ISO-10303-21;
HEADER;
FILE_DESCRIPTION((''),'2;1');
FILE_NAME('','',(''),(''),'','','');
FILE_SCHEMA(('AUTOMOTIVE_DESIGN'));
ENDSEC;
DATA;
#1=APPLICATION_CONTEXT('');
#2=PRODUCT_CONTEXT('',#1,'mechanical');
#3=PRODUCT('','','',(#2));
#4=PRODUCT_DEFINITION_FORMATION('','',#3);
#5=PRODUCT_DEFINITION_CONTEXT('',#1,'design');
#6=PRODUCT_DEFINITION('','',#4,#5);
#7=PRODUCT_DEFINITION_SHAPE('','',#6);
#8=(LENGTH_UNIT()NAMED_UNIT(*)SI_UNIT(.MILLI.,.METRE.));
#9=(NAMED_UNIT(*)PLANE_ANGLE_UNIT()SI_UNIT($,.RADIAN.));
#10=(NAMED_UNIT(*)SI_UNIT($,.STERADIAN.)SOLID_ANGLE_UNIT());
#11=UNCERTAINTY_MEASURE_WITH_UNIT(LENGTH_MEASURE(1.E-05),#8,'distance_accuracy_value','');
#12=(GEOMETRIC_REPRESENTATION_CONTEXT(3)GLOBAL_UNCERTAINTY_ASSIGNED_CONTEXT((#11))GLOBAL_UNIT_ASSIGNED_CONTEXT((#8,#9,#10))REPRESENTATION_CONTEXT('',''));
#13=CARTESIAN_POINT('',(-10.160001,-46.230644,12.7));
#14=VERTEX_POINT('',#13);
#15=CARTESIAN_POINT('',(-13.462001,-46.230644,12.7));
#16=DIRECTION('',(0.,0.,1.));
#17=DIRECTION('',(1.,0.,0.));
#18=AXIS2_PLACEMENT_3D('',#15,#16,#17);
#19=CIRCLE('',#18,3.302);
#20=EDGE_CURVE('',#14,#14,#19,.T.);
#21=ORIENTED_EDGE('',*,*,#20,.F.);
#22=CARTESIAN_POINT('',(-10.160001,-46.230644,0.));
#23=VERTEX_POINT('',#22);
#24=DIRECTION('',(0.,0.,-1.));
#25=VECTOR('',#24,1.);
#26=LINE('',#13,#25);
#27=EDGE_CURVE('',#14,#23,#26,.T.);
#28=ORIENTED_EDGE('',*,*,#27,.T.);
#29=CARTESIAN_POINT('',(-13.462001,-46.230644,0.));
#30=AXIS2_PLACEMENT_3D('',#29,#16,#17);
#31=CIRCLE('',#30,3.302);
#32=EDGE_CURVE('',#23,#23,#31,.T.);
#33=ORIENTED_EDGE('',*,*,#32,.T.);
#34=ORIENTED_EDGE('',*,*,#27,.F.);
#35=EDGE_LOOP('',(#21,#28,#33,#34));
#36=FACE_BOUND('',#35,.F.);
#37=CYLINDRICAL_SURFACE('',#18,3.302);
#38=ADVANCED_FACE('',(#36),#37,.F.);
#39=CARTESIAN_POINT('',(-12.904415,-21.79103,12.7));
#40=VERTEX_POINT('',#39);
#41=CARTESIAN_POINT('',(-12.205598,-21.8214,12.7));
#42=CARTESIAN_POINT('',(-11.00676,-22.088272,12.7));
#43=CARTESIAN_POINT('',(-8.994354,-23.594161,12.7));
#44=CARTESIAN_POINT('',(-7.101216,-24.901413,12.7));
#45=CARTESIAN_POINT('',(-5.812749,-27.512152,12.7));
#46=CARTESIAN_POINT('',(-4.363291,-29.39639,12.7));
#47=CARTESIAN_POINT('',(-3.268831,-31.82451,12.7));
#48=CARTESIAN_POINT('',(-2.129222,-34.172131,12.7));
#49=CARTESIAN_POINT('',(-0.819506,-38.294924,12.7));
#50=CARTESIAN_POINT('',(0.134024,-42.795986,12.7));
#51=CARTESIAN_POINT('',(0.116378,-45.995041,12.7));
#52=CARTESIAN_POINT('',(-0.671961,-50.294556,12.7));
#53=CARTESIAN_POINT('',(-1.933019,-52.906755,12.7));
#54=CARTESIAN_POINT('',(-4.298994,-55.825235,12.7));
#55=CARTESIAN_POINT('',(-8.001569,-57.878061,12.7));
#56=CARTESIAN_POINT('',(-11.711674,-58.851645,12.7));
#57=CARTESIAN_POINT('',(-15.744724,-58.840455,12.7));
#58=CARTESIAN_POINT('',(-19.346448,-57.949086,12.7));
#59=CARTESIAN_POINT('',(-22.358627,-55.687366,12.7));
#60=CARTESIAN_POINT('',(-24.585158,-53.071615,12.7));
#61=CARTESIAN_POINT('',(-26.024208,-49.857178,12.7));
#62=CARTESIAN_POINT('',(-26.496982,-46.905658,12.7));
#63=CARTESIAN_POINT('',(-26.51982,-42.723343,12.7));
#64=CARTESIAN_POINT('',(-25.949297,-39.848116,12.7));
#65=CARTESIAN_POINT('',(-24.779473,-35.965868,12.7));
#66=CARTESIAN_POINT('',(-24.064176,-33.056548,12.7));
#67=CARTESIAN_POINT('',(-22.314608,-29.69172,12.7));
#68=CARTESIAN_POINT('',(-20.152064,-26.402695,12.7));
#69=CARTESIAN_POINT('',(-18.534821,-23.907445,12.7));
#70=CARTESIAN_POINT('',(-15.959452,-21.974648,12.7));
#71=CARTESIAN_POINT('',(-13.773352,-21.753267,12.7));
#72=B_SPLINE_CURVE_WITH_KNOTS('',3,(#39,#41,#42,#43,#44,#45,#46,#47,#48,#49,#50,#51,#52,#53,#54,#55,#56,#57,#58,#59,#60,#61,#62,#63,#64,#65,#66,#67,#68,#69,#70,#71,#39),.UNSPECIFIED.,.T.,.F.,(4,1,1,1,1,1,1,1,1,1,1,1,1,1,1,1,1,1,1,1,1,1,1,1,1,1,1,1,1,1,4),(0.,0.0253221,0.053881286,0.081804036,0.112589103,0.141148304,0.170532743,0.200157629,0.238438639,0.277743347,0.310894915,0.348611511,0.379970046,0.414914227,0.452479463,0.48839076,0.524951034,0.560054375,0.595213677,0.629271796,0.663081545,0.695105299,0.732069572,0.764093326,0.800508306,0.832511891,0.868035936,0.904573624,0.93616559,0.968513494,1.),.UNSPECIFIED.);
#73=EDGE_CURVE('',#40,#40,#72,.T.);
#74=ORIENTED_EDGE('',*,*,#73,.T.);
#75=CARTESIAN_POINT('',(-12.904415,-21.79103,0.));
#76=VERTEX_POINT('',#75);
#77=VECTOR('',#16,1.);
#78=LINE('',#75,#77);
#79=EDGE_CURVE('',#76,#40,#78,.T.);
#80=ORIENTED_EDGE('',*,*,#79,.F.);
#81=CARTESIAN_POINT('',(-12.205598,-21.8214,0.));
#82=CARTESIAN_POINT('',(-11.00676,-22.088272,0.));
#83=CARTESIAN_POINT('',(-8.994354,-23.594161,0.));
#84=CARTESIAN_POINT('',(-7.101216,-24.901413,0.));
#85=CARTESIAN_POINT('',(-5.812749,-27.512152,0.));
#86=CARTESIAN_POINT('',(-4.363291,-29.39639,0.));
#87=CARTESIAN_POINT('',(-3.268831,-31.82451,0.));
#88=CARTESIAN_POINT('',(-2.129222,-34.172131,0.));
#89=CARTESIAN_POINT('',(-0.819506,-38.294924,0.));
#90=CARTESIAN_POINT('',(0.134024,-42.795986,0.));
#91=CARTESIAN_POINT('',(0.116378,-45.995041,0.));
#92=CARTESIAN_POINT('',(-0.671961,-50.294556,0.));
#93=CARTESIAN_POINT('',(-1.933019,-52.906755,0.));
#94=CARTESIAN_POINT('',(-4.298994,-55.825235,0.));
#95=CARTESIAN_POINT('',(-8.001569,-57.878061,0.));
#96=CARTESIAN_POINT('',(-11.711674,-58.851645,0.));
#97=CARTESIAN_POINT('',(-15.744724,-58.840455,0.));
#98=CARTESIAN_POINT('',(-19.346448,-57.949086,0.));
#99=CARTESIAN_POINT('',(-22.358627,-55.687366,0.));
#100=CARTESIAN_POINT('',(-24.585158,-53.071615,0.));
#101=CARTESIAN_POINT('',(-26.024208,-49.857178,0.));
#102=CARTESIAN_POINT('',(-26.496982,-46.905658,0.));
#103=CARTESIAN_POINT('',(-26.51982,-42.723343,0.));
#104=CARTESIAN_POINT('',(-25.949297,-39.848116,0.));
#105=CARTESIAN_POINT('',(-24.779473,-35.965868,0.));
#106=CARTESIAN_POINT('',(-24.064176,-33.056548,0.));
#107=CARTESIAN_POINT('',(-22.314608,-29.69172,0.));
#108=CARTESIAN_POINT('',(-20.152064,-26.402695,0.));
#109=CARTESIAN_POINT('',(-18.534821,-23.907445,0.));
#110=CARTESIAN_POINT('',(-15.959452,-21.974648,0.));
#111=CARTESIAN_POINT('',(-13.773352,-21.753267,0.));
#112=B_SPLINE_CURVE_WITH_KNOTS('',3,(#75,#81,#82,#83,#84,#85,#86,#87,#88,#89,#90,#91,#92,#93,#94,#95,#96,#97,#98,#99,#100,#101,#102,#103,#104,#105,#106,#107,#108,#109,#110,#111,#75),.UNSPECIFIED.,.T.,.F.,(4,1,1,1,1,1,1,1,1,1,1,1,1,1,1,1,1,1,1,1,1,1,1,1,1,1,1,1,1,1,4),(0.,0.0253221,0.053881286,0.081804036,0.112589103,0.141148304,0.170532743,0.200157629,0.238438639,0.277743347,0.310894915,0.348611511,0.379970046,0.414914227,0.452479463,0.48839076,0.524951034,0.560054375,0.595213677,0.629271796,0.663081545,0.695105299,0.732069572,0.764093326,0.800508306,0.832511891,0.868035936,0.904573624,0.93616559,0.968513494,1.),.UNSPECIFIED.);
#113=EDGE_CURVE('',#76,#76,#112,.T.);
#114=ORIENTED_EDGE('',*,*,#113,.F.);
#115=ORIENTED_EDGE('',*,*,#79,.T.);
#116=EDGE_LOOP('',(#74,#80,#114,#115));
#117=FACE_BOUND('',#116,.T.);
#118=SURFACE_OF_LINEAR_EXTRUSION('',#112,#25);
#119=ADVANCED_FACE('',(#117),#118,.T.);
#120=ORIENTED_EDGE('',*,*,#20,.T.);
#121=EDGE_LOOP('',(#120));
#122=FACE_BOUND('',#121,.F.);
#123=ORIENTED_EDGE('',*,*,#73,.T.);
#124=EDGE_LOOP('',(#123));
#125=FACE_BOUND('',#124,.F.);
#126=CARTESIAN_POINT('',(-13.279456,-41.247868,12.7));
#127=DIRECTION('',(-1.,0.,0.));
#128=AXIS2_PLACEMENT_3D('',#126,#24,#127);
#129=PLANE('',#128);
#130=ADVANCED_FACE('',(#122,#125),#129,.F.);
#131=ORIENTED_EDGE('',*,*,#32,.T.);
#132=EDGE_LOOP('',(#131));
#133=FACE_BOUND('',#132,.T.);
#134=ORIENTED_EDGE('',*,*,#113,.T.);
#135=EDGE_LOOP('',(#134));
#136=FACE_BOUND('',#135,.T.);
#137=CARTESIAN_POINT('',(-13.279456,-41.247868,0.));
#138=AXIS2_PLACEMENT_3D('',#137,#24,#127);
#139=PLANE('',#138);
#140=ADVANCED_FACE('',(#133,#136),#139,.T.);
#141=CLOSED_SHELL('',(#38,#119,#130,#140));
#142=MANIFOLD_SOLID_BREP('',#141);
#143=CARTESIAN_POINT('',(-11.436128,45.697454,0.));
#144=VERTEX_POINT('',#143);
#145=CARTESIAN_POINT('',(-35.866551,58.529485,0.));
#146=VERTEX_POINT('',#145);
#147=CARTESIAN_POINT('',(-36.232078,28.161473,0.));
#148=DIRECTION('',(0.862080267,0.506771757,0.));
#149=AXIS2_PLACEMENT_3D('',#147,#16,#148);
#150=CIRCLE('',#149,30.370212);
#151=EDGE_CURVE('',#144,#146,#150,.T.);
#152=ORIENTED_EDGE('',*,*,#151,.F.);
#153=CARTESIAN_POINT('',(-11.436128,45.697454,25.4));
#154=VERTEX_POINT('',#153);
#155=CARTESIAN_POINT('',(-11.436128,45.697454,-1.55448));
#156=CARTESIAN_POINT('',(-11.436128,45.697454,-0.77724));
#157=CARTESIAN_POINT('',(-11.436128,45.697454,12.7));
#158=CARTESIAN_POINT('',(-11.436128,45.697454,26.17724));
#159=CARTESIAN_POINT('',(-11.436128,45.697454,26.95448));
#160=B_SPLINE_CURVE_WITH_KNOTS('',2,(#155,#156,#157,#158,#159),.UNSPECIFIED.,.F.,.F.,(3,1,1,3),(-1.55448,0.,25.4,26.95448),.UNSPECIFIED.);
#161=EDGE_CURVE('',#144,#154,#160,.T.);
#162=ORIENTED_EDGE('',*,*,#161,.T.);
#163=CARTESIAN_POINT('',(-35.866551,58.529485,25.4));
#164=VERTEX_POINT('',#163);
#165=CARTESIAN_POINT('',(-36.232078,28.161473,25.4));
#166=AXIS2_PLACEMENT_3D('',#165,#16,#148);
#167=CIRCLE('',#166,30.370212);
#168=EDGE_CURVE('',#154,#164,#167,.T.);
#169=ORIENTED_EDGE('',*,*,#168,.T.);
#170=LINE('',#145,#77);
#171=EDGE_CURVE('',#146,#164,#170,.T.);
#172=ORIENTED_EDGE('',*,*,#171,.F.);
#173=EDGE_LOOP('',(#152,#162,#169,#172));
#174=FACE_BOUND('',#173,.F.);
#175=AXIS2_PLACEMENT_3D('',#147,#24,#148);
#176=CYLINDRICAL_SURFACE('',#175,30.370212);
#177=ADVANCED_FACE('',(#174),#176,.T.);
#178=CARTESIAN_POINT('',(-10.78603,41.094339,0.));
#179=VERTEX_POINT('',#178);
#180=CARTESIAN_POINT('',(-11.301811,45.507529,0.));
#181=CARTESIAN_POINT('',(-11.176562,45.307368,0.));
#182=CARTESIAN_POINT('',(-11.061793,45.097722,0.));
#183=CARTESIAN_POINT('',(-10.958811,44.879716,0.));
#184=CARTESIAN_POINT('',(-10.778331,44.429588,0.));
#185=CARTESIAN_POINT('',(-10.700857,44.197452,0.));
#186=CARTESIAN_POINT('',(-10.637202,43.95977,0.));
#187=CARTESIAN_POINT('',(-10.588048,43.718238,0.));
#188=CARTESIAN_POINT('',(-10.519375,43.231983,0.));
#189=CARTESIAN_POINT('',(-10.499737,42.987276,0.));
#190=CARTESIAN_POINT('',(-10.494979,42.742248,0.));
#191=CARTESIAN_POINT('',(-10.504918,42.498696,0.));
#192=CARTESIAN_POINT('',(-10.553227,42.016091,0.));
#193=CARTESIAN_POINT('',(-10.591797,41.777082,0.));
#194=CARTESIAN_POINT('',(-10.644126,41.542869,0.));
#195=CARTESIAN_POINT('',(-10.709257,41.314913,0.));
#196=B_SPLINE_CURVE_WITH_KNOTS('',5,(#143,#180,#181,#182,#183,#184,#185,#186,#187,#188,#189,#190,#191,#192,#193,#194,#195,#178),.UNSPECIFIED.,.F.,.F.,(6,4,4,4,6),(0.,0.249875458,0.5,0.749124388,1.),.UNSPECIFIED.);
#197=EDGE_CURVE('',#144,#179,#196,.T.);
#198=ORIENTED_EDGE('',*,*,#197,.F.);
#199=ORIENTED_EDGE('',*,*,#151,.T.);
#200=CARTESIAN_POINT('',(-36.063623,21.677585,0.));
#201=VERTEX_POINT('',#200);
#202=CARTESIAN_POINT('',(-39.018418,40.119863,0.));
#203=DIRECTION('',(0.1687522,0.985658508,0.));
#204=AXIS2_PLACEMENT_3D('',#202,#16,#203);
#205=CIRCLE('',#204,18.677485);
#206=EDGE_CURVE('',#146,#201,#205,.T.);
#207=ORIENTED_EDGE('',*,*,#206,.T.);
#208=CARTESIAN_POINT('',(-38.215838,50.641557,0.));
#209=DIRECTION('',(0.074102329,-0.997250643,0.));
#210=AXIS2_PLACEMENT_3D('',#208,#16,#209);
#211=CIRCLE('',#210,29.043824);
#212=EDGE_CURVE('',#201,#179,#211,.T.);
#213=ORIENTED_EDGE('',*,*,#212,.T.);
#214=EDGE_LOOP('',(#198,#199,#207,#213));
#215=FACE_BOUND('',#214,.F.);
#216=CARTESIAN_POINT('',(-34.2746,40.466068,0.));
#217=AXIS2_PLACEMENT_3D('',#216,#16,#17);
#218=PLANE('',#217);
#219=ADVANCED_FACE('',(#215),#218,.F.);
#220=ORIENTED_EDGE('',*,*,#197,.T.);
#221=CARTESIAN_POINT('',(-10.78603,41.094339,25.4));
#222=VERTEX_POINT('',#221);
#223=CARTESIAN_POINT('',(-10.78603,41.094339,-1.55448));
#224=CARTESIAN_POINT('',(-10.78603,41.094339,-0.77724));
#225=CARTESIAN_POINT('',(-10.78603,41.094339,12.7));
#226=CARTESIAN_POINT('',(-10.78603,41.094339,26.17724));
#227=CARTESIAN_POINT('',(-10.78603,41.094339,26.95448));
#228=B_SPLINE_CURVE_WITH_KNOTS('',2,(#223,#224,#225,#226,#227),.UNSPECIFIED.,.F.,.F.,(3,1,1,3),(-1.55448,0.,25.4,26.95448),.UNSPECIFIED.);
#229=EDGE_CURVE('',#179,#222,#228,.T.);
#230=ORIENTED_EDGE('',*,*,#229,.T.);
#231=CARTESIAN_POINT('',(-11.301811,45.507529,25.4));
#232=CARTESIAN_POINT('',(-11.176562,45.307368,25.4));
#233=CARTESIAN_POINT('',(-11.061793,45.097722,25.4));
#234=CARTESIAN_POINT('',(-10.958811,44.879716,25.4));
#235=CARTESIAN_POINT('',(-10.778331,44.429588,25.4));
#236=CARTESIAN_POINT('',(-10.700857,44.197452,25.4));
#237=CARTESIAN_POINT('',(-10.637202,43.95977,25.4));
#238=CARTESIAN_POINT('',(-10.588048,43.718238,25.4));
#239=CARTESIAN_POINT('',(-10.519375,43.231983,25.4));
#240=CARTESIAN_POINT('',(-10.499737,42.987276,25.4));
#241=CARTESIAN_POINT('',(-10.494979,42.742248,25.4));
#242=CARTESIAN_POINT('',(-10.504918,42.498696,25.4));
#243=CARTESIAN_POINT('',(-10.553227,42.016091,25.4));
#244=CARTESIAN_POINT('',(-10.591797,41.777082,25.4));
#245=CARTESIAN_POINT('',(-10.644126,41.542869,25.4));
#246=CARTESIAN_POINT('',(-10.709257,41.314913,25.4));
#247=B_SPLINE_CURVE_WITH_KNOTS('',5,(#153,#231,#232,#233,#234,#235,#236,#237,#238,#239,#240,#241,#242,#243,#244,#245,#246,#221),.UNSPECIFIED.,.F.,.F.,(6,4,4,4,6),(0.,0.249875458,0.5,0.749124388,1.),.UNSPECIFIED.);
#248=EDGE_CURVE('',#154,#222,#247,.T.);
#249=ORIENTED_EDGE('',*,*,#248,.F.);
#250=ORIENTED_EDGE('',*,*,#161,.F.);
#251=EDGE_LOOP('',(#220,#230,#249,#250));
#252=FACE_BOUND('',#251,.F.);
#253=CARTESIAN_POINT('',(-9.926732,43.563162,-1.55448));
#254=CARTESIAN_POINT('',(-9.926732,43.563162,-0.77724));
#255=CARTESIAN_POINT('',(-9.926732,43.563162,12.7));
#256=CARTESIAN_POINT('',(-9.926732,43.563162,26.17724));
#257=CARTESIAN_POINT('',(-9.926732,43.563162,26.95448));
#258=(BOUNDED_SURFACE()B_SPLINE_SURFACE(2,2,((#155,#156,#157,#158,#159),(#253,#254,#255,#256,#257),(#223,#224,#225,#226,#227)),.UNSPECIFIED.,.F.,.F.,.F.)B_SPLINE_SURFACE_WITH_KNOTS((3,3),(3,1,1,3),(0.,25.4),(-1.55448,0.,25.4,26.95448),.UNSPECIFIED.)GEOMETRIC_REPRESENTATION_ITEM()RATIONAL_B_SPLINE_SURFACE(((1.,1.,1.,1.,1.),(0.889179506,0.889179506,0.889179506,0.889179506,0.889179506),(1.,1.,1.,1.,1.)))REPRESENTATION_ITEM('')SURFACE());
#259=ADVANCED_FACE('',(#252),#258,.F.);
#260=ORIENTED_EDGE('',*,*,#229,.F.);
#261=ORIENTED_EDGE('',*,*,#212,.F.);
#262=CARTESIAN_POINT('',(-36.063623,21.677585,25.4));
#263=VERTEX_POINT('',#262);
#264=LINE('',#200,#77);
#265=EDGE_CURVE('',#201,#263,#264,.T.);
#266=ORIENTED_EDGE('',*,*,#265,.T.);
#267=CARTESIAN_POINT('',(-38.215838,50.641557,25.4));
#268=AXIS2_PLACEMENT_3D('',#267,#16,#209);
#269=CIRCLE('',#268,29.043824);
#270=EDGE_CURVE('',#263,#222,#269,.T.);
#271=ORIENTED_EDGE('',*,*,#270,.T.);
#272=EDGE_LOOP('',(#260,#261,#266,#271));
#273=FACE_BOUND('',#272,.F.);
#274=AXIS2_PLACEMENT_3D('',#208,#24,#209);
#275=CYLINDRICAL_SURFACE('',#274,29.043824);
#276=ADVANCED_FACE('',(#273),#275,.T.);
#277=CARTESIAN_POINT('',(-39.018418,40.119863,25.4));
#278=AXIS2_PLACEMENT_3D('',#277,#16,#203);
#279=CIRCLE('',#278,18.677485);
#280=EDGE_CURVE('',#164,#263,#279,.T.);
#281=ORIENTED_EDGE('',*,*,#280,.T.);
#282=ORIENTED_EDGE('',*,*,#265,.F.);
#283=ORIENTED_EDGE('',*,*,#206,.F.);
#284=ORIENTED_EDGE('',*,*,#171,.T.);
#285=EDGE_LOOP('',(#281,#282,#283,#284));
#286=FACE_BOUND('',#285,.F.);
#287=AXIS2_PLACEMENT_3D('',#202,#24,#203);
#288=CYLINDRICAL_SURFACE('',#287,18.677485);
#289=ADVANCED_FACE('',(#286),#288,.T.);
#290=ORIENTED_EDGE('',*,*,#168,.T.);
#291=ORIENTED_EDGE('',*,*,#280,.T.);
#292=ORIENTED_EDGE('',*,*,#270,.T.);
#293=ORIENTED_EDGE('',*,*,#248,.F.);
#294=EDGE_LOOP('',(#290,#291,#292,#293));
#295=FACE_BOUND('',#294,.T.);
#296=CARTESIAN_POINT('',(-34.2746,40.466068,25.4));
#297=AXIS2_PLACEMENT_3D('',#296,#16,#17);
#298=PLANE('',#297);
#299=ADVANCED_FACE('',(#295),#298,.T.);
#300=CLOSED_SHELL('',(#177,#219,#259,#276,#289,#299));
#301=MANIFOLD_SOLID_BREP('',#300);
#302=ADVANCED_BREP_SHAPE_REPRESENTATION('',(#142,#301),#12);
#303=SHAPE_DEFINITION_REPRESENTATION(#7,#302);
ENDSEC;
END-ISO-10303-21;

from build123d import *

# Parameters (mm, degrees)
F1_DEPTH = 12.7
F2_R     = 3.302
F3_DEPTH = 12.7
F5_DEPTH = 25.4
F6_R     = 5.08


with BuildPart() as f1:
    # F0 (on Top) → F1 (new body)
    with BuildSketch(Plane.XY):
        with BuildLine():
            add(Edge.make_bspline(
                [(-12.9044149071, -21.7910297215), (-12.2055978163, -21.8213996743), (-11.0067595639, -22.0882718474), (-8.9943535248, -23.5941612992), (-7.1012161149, -24.9014128231), (-5.8127489326, -27.5121516366), (-4.3632906539, -29.3963897805), (-3.2688314092, -31.8245095749), (-2.1292219337, -34.1721310942), (-0.8195060769, -38.2949241134), (0.1340237399, -42.7959857194), (0.1163779444, -45.9950413491), (-0.6719609126, -50.2945558642), (-1.9330187303, -52.9067546169), (-4.2989935306, -55.8252350355), (-8.0015693516, -57.8780613311), (-11.7116741146, -58.8516449522), (-15.7447235409, -58.840455064), (-19.346447773, -57.9490864975), (-22.3586269887, -55.6873660701), (-24.5851583148, -53.0716148762), (-26.0242084884, -49.8571779838), (-26.4969822365, -46.9056584247), (-26.5198202332, -42.7233426852), (-25.9492970155, -39.8481158501), (-24.7794732183, -35.9658679578), (-24.0641761223, -33.0565477244), (-22.3146081443, -29.6917197197), (-20.1520641843, -26.4026949283), (-18.5348206464, -23.9074453075), (-15.9594516536, -21.9746477506), (-13.7733518695, -21.7532665144), (-12.9044149071, -21.7910297215)],
                knots=[0, 0, 0, 0, 0.0253221001, 0.0538812859, 0.0818040358, 0.1125891034, 0.1411483044, 0.1705327429, 0.2001576294, 0.2384386394, 0.2777433474, 0.3108949145, 0.3486115108, 0.3799700464, 0.4149142266, 0.4524794633, 0.4883907596, 0.5249510343, 0.5600543753, 0.5952136769, 0.6292717955, 0.6630815445, 0.6951052992, 0.7320695718, 0.7640933265, 0.8005083064, 0.8325118906, 0.8680359356, 0.9045736237, 0.9361655902, 0.9685134937, 1, 1, 1, 1], degree=3))
        make_face()
    extrude(amount=F1_DEPTH)

    # F2 (on face) → F3 (cut)
    with BuildSketch(Plane.XY.offset(12.7)):
        with Locations((-13.4620005265, -46.2306439877)):
            Circle(F2_R)
    extrude(amount=-F3_DEPTH, mode=Mode.SUBTRACT)


with BuildPart() as f5:
    # F4 (on Top) → F5 (new body)
    with BuildSketch(Plane.XY):
        with BuildLine():
            ThreePointArc((-10.0505175069, 43.5522384942), (-20.991787951, 54.4309101096), (-35.8665511012, 58.5294850171))
            ThreePointArc((-35.8665511012, 58.5294850171), (-57.6956353149, 40.2197428422), (-36.0636226833, 21.6775853187))
            ThreePointArc((-36.0636226833, 21.6775853187), (-19.523236265, 28.4125142564), (-10.0505175069, 43.5522384942))
        make_face()
    extrude(amount=F5_DEPTH)

    # F6
    f6_edges = [f5.edges().sort_by_distance(p)[0] for p in [
        (-10.050518, 43.552238, 12.7),
    ]]
    fillet(f6_edges, radius=F6_R)


solid = Compound([f1.part, f5.part])
